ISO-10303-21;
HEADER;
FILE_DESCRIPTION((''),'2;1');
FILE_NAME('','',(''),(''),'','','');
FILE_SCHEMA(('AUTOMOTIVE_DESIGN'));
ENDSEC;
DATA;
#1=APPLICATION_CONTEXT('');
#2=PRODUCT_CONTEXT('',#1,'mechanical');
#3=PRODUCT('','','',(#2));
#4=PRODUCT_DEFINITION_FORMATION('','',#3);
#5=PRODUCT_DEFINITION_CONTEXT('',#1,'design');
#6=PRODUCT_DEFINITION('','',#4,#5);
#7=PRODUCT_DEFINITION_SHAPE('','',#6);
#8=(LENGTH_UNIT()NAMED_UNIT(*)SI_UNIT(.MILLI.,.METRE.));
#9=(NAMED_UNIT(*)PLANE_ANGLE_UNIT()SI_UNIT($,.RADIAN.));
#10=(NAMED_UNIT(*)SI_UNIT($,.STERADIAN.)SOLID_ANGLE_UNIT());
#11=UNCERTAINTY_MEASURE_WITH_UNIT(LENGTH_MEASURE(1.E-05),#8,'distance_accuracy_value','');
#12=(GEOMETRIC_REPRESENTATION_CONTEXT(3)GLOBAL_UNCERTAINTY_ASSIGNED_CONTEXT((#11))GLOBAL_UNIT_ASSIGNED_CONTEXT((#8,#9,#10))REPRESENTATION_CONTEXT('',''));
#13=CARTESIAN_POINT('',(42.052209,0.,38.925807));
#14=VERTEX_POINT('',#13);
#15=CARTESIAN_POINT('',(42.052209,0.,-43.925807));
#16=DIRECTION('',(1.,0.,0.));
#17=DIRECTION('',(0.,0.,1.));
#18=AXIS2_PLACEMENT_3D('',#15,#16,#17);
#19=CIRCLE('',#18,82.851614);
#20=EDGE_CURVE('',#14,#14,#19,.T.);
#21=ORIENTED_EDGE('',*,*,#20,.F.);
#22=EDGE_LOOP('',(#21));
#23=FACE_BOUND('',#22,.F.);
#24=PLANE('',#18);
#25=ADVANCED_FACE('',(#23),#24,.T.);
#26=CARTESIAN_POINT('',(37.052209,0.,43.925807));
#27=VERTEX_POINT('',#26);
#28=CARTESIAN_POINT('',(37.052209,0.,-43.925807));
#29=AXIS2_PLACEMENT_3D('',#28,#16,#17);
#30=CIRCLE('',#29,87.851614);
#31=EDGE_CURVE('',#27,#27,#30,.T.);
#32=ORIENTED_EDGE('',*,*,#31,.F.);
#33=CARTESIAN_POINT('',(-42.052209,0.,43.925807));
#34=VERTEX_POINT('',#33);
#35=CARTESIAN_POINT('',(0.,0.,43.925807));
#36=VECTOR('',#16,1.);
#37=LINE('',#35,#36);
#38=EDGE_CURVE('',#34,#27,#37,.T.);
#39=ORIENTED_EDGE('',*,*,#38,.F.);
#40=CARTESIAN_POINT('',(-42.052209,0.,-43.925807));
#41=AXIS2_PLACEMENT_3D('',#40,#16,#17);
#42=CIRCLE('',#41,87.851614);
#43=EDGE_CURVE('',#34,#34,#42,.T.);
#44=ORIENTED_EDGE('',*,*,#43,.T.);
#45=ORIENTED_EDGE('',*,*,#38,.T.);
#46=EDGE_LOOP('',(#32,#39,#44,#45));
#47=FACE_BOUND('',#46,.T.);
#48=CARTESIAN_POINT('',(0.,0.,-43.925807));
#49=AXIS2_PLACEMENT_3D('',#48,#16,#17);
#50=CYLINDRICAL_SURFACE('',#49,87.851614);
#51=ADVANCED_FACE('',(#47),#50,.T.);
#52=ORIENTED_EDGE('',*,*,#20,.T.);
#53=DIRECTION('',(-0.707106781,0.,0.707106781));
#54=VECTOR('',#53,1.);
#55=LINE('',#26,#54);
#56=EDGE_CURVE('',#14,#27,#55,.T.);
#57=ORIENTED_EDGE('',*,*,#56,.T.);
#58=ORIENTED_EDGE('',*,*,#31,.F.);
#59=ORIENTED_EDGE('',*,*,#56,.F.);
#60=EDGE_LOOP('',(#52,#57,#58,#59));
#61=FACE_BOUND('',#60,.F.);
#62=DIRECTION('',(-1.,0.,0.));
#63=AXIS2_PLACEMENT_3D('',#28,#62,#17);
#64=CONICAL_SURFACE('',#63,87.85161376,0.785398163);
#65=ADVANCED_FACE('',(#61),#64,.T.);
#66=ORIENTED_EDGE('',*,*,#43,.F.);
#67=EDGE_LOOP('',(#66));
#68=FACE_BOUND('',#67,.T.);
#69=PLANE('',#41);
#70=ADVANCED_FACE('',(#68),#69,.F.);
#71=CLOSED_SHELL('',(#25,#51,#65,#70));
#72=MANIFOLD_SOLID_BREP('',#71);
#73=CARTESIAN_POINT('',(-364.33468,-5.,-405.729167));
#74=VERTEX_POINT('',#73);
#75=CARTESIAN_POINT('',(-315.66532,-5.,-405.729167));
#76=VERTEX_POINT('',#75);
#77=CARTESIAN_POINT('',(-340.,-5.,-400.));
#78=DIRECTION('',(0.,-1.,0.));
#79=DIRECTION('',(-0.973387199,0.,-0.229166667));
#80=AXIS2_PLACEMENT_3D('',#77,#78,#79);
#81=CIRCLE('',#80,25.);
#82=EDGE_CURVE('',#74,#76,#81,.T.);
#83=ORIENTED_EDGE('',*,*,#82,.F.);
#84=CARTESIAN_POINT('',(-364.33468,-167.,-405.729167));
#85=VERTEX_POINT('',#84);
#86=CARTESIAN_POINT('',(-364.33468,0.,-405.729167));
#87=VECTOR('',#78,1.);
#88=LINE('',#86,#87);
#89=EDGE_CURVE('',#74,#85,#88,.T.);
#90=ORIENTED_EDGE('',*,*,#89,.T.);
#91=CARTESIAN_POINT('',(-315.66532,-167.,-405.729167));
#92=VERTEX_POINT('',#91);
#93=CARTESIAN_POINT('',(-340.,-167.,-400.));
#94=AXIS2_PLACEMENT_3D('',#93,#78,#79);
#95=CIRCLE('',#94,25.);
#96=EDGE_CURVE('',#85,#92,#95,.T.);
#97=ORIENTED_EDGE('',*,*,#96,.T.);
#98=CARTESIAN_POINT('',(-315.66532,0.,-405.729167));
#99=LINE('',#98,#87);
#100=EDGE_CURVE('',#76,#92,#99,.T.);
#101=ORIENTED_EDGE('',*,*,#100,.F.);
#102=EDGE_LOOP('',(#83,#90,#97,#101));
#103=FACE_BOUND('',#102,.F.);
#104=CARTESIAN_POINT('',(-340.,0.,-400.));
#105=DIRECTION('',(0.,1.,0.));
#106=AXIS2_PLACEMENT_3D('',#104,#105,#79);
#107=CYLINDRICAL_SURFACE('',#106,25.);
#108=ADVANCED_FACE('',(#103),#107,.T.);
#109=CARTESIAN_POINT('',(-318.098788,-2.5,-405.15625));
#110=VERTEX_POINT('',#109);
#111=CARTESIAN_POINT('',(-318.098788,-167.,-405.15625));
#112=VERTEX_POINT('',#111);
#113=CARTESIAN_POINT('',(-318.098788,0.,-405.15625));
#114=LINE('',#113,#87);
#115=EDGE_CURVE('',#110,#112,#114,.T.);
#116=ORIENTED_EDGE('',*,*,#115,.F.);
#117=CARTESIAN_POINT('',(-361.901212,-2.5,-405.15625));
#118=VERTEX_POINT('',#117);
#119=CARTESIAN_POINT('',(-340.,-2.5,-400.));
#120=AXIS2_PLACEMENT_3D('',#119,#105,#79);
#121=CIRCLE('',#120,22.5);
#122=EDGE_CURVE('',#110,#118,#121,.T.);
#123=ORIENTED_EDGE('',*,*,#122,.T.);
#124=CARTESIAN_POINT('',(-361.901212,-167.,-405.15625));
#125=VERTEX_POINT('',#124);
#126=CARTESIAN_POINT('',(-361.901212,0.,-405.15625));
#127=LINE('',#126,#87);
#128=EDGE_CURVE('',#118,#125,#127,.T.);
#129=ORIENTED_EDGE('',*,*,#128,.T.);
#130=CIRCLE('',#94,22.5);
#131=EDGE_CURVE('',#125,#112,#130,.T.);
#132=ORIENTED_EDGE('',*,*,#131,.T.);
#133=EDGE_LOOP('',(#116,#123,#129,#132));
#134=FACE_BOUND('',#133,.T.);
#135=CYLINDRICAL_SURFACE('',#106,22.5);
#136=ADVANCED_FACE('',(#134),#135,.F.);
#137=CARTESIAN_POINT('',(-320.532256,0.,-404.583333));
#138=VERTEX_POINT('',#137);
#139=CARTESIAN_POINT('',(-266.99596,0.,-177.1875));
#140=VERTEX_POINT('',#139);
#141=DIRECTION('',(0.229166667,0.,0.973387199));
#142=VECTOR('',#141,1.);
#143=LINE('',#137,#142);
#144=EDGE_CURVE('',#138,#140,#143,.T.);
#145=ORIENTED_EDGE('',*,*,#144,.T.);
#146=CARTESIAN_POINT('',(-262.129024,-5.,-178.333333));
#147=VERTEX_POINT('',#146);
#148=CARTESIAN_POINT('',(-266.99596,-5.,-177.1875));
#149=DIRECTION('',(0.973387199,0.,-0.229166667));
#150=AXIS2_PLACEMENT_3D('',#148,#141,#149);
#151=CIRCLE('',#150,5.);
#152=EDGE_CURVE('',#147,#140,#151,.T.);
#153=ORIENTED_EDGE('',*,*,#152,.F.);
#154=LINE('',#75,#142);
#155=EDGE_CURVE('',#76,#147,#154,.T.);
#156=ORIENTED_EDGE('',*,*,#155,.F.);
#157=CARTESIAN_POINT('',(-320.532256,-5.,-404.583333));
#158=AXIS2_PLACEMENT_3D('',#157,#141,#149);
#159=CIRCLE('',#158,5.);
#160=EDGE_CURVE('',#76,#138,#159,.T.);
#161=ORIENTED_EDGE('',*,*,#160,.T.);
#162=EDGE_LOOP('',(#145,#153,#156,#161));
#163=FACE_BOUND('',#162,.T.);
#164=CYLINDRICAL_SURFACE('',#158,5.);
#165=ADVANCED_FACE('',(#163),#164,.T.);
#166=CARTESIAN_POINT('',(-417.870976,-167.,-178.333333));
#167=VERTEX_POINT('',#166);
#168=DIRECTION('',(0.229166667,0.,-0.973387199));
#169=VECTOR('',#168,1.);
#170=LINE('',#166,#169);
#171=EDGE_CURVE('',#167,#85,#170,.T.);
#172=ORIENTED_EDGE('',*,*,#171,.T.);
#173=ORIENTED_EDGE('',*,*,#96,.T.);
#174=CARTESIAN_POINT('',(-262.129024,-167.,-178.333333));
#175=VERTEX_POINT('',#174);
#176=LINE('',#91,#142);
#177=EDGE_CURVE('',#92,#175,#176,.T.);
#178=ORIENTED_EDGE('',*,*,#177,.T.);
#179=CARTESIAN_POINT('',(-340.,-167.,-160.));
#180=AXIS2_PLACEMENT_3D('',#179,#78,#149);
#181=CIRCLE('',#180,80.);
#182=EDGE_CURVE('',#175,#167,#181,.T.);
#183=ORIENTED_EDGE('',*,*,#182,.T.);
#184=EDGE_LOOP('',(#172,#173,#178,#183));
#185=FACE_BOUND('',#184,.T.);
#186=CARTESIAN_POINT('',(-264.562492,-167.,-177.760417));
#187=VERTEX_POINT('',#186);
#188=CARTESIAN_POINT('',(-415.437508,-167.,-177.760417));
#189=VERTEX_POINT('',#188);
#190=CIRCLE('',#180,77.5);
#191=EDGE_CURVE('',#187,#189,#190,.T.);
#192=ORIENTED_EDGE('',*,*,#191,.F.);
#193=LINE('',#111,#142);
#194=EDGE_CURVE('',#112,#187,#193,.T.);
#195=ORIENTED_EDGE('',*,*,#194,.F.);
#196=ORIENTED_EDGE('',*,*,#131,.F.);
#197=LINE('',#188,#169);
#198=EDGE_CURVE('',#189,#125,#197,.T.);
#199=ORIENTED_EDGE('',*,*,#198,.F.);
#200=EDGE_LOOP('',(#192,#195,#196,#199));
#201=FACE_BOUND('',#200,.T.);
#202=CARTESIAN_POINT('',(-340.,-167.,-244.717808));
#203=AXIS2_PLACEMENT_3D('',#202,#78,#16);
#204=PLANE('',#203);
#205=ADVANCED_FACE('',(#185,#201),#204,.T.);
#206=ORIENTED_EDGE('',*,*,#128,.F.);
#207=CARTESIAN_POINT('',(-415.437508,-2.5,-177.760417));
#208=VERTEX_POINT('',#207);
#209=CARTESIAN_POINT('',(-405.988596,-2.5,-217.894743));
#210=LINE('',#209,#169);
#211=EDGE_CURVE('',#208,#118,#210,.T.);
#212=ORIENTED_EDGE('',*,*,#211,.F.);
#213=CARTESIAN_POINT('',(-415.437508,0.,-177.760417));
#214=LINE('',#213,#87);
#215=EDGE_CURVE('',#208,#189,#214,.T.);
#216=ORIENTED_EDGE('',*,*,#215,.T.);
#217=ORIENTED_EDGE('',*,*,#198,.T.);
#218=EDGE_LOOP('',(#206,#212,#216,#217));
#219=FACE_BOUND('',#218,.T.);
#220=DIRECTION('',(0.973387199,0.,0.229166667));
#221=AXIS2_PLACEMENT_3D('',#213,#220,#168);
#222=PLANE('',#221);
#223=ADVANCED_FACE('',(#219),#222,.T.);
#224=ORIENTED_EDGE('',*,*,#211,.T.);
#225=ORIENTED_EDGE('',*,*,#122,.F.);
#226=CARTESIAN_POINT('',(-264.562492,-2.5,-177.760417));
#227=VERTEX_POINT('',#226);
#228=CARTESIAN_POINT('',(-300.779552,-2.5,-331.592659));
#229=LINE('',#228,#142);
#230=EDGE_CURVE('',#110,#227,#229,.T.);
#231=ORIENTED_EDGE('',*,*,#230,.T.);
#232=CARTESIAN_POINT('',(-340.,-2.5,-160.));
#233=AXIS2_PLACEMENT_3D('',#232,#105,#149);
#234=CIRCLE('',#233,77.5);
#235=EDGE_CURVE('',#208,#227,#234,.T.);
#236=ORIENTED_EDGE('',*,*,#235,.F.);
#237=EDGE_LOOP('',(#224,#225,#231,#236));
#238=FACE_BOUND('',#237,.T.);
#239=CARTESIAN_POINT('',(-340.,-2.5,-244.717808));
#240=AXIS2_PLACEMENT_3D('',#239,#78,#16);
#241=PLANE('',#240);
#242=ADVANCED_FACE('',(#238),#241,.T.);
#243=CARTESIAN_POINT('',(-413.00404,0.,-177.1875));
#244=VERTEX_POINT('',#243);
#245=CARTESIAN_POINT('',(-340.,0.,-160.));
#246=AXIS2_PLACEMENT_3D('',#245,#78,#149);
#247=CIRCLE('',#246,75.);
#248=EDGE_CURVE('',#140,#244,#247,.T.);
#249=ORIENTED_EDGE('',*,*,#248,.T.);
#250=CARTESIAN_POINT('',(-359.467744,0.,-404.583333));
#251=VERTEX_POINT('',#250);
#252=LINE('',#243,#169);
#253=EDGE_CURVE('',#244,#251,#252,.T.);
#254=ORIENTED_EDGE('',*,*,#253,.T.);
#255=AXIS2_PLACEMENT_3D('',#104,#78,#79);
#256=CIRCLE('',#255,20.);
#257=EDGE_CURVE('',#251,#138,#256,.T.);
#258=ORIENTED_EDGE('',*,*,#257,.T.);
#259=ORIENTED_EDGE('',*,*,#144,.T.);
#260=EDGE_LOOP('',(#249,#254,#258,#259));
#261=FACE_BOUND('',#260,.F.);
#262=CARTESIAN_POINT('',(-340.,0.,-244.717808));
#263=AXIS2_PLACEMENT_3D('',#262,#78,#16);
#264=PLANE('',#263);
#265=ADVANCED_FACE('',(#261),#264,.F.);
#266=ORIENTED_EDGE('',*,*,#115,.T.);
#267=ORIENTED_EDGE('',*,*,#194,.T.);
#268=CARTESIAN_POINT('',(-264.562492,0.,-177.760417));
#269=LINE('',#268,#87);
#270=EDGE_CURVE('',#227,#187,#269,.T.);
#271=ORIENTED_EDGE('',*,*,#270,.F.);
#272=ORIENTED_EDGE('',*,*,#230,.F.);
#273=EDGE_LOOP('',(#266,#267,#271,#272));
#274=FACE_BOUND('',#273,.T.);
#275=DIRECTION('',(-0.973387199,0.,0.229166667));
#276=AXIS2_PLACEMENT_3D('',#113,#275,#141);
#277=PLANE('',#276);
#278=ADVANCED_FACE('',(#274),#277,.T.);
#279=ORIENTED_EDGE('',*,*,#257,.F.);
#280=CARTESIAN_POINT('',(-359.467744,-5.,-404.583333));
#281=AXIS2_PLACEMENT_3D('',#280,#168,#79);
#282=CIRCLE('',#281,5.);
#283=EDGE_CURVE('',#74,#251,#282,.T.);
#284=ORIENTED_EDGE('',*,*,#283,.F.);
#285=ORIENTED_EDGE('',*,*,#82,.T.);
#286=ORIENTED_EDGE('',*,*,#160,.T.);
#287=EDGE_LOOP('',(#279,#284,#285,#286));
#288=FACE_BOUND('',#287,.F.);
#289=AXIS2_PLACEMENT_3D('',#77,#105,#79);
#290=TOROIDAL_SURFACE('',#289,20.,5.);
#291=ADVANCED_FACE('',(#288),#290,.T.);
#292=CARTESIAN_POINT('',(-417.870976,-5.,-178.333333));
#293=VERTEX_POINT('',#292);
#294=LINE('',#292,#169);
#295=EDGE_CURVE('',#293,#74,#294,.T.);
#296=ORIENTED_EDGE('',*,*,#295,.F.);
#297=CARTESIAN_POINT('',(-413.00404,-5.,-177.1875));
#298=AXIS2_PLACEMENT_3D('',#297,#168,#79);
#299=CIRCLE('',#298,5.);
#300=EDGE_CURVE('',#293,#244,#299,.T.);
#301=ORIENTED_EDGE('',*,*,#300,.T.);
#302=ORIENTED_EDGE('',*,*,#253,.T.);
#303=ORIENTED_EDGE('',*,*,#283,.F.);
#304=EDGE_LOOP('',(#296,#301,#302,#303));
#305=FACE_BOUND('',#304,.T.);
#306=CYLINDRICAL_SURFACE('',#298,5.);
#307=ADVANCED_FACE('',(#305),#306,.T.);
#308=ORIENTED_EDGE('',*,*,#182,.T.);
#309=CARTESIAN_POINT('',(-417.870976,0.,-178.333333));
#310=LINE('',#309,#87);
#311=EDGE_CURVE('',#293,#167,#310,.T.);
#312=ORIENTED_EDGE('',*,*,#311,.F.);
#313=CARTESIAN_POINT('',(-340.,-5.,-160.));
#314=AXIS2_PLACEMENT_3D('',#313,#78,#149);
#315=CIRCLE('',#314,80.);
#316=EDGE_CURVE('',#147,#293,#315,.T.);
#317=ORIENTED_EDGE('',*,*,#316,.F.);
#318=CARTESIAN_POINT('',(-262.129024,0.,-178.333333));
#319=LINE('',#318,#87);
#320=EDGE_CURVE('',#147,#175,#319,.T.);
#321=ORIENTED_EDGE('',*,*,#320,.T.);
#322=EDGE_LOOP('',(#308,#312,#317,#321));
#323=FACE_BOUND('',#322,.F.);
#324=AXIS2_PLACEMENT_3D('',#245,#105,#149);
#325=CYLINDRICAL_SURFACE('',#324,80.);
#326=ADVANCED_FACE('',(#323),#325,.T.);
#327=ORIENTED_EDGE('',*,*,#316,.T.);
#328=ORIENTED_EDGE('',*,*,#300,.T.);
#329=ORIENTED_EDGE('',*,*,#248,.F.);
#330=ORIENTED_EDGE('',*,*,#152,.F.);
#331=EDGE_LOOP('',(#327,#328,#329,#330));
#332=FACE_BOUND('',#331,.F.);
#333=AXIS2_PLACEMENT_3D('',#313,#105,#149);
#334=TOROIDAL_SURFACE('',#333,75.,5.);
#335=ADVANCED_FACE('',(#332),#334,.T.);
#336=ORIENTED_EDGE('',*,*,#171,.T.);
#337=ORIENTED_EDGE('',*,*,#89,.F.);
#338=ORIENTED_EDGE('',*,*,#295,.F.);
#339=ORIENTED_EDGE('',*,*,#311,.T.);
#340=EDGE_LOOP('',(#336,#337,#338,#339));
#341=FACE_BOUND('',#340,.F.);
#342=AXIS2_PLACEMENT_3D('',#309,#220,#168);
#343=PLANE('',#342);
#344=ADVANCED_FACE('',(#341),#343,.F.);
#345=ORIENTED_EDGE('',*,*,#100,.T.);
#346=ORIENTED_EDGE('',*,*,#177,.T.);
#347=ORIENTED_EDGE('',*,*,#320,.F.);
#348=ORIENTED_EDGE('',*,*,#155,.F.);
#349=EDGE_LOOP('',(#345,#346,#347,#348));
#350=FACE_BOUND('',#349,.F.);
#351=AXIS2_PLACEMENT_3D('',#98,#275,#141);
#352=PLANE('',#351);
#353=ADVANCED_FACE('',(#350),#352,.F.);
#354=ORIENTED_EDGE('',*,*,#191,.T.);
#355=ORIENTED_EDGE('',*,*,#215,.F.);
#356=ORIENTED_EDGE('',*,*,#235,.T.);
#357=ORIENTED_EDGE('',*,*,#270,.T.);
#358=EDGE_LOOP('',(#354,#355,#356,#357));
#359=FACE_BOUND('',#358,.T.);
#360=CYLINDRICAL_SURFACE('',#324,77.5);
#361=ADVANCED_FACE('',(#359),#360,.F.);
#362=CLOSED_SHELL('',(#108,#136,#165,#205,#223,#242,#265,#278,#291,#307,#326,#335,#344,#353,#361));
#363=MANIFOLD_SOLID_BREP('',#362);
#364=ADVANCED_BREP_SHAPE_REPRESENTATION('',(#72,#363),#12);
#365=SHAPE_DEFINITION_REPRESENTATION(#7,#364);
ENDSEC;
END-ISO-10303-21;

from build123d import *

# Parameters (mm, degrees)
F2_DEPTH = 167
F0_W     = 84.1044187546
F0_H     = 87.85161376
F4_T     = -2.5
F5_R     = 5
F6_SIZE  = 5


with BuildPart() as f2:
    # F1 (on Front) → F2 (new body)
    with BuildSketch(Plane.XZ):
        with BuildLine():
            Line((-315.6653200287, -405.7291666667), (-262.1290240918, -178.3333333333))
            ThreePointArc((-262.1290240918, -178.3333333333), (-340, -80), (-417.8709759082, -178.3333333333))
            Line((-417.8709759082, -178.3333333333), (-364.3346799713, -405.7291666667))
            ThreePointArc((-364.3346799713, -405.7291666667), (-340, -425), (-315.6653200287, -405.7291666667))
        make_face()
    extrude(amount=F2_DEPTH)

    # F4
    f4_openings = [f2.faces().sort_by_distance(p)[0] for p in [
        (-340, -167, -226.923814),
    ]]
    offset(amount=F4_T, openings=f4_openings)

    # F5
    f5_edges = [f2.edges().sort_by_distance(p)[0] for p in [
        (-288.897172, 0, -292.03125),
    ]]
    fillet(f5_edges, radius=F5_R)


with BuildPart() as f3:
    # F0 (on Front) → F3 (revolve)
    with BuildSketch(Plane.XZ):
        Rectangle(F0_W, F0_H)
    revolve(axis=Axis((0, 0, -43.92580688), (1, 0, 0)))

    # F6
    f6_edges = [f3.edges().sort_by_distance(p)[0] for p in [
        (42.052209, 0, -131.777421),
    ]]
    chamfer(f6_edges, length=F6_SIZE)


solid = Compound([f2.part, f3.part])
